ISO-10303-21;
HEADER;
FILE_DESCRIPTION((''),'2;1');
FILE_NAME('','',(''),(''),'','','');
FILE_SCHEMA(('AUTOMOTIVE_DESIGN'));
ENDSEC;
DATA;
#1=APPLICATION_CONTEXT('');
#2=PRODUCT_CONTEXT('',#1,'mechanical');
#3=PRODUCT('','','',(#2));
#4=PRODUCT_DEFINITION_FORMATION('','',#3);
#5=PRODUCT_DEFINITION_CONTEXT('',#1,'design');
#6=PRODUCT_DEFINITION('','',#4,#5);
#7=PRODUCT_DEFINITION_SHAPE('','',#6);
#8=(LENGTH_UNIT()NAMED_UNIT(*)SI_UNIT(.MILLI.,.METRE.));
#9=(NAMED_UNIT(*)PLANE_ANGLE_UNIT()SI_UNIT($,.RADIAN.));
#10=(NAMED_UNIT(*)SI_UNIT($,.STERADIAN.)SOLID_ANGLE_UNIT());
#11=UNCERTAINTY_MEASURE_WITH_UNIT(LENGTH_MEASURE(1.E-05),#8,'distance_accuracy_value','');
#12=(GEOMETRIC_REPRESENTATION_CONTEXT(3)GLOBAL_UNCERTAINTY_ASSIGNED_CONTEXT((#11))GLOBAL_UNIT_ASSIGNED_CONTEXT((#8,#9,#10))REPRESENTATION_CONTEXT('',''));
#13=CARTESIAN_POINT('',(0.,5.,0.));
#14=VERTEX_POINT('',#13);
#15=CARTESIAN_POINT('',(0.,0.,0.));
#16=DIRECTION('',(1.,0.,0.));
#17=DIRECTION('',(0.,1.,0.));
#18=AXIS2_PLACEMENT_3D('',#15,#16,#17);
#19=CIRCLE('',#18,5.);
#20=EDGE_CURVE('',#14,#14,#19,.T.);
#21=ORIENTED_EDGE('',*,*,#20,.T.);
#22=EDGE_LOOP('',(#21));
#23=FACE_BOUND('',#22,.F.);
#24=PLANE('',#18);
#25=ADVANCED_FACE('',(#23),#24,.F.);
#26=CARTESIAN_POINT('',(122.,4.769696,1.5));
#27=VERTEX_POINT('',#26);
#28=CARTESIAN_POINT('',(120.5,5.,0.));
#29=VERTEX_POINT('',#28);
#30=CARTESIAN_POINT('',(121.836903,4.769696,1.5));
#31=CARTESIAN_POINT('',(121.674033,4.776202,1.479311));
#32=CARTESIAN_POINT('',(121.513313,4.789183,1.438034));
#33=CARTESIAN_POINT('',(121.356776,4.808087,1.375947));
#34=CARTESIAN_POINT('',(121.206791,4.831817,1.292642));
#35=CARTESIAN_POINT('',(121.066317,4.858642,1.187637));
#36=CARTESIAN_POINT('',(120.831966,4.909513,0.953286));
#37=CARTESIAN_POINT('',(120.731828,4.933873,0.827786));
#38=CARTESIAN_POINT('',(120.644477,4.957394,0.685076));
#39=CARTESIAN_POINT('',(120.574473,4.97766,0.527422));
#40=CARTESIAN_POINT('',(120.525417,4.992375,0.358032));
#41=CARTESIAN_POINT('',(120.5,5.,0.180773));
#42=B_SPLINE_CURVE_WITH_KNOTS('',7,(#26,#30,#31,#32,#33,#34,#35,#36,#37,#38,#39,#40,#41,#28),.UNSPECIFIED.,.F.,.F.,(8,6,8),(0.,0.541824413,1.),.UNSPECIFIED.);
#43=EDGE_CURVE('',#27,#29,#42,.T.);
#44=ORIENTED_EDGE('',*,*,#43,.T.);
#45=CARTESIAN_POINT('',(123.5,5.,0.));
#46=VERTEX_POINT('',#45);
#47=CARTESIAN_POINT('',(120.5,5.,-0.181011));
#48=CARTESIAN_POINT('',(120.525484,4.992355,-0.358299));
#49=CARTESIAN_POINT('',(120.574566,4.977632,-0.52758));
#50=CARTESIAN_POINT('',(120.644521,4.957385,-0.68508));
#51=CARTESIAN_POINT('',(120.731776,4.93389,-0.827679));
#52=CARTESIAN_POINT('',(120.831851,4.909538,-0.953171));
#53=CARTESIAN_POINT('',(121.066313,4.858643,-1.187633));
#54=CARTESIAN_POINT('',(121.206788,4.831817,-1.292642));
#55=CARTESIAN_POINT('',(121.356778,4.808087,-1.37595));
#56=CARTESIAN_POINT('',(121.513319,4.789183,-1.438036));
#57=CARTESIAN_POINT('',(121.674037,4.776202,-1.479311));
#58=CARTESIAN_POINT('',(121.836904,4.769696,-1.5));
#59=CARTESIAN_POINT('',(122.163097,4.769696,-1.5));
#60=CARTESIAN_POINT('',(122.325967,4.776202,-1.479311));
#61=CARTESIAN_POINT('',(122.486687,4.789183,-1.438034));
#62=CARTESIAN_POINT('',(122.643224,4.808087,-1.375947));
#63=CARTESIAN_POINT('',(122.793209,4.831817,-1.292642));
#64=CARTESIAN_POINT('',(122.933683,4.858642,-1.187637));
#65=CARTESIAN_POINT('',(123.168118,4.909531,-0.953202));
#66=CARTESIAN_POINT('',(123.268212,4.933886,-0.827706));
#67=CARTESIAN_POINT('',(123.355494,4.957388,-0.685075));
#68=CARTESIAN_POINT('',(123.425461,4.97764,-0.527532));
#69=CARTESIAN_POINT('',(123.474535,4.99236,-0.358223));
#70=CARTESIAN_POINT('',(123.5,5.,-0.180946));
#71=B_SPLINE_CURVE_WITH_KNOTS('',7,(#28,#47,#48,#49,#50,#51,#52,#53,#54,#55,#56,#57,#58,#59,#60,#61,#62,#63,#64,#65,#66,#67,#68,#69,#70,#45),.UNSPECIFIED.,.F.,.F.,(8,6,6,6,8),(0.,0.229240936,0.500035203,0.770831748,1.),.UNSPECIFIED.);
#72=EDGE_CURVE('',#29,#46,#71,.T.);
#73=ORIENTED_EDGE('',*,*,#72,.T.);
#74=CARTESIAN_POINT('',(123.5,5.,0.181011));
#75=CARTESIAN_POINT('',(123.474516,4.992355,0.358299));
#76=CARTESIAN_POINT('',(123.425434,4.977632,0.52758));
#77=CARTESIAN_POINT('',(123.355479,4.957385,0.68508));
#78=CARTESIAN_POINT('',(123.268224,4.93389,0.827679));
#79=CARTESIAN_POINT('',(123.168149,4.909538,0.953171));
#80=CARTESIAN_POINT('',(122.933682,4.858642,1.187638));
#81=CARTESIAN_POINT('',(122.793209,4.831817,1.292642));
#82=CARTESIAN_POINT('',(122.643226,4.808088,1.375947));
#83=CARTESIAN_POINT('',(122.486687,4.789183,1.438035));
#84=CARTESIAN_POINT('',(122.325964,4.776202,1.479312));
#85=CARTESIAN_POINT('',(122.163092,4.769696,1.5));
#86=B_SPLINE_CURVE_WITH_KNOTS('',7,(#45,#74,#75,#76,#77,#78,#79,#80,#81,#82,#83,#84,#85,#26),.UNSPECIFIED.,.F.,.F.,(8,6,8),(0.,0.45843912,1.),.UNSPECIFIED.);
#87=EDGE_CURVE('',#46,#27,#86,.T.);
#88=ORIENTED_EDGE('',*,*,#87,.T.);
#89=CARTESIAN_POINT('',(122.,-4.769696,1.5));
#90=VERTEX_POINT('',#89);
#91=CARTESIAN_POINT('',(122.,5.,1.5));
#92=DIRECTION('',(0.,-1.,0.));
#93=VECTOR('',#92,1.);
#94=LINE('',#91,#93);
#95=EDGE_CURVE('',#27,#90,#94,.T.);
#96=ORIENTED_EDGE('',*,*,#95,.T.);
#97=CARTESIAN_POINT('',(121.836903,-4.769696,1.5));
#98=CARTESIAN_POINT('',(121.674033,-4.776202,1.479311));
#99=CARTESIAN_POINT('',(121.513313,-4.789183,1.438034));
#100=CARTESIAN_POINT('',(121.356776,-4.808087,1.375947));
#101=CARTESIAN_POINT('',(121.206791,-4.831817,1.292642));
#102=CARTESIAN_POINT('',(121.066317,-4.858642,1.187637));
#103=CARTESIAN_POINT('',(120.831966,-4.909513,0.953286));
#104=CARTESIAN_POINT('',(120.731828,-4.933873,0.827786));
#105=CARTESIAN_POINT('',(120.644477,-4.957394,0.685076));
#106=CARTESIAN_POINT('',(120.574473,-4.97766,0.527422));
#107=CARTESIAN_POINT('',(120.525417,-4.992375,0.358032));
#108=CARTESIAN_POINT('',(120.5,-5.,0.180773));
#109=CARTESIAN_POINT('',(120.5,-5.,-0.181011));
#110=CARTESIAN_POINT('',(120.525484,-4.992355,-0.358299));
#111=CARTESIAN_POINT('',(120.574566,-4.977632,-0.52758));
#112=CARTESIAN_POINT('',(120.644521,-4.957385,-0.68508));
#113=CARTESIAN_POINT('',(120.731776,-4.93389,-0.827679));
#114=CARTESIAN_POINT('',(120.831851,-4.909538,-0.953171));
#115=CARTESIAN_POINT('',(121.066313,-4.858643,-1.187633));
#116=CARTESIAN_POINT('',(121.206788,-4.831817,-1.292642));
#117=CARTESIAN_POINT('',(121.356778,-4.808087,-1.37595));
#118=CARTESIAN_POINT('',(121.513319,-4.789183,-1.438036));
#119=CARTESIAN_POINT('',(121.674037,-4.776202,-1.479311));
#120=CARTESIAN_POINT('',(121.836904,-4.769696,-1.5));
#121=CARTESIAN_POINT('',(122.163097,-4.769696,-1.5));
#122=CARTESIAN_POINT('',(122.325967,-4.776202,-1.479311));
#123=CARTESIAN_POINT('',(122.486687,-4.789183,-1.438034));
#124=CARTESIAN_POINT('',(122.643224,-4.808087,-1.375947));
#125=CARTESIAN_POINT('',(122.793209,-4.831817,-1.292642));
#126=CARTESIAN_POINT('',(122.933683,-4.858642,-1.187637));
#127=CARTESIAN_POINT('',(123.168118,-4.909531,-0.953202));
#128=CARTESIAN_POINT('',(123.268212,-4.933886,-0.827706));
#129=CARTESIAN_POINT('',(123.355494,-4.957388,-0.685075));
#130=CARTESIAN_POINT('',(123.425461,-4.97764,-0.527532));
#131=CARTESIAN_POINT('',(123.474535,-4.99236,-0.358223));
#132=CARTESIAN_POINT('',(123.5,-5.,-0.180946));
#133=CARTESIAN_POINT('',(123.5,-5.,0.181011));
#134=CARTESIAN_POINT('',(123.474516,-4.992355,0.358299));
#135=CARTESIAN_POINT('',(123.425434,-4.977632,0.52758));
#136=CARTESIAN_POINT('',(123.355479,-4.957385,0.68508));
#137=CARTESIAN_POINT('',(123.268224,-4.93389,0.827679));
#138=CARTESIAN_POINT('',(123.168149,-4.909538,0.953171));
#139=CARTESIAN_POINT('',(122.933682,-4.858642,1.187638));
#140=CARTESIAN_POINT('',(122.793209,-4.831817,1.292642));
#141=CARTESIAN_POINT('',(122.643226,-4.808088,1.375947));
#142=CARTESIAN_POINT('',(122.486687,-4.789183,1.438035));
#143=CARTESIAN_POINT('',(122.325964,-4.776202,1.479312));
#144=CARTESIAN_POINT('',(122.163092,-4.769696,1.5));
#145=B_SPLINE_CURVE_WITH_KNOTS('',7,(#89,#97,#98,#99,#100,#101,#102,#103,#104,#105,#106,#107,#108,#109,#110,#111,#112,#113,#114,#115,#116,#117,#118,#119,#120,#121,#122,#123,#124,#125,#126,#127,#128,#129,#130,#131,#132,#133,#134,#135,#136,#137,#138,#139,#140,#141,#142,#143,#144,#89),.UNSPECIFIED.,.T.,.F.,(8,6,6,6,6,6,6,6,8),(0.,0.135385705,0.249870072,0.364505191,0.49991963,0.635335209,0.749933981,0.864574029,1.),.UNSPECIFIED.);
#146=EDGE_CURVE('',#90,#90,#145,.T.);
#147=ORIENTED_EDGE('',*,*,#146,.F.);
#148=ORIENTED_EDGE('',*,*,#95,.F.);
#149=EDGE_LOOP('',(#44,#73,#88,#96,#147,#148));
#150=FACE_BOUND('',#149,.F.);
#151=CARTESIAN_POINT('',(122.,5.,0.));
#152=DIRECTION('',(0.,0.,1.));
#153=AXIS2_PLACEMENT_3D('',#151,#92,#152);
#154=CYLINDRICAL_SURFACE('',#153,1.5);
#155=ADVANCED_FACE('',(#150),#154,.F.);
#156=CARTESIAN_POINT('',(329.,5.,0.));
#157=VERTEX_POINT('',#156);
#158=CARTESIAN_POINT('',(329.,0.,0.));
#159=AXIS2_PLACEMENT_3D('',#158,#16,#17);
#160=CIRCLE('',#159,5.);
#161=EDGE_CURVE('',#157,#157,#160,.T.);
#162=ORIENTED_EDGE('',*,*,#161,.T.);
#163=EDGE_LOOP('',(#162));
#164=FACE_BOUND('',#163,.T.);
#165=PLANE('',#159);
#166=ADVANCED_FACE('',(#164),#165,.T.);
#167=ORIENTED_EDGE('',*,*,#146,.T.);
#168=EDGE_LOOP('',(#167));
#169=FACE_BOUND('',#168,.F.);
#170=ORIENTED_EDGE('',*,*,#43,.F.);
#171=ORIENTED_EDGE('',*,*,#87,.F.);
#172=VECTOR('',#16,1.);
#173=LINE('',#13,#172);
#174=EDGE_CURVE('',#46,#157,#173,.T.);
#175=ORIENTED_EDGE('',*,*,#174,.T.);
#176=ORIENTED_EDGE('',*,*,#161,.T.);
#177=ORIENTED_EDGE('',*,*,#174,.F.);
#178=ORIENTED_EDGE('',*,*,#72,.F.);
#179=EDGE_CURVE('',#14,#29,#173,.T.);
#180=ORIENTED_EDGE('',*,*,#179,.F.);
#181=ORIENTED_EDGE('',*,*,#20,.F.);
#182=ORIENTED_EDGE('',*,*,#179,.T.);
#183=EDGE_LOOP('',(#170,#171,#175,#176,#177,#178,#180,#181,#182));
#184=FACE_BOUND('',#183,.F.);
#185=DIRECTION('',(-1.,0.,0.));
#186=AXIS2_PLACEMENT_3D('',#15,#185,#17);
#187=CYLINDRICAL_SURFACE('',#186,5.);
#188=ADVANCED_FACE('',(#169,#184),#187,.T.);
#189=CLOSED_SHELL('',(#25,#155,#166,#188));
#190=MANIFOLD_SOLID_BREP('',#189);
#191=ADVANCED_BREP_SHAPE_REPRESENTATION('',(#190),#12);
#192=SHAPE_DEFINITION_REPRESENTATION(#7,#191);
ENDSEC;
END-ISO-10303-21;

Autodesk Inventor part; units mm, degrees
ref_plane "YZ Plane" through (0, 0, 0) normal (1, 0, 0) x (0, 1, 0)
ref_plane "XY Plane" through (0, 0, 0) normal (0, 0, 1) x (1, 0, 0)
sketch "スケッチ1" plane through (0, 0, 0) normal (1, 0, 0) x (0, 1, 0)
  circle A0 centre (0, 0) radius 5
  dimension "d0" = 10
extrude "押し出し1" add sketch "スケッチ1" along normal blind 329
ref_plane "作業平面1" through (0, 5, 0) normal (0, 1, 0) x (-1, 0, 0)
sketch "スケッチ2" plane through (0, 5, 0) normal (0, 1, 0) x (-1, 0, 0)
  line L0 (0, 5) -> (0, -5) projected
  point P0 (0, 0)
  point P1 (-122, 0)
  dimension "d3" = 122
hole "穴1" at (122, 5, 0) direction (0, -1, 0) diameter 3 end through all
properties part number "ball_loading_v1_Shaft_1" material "アルミニウム 6061"
